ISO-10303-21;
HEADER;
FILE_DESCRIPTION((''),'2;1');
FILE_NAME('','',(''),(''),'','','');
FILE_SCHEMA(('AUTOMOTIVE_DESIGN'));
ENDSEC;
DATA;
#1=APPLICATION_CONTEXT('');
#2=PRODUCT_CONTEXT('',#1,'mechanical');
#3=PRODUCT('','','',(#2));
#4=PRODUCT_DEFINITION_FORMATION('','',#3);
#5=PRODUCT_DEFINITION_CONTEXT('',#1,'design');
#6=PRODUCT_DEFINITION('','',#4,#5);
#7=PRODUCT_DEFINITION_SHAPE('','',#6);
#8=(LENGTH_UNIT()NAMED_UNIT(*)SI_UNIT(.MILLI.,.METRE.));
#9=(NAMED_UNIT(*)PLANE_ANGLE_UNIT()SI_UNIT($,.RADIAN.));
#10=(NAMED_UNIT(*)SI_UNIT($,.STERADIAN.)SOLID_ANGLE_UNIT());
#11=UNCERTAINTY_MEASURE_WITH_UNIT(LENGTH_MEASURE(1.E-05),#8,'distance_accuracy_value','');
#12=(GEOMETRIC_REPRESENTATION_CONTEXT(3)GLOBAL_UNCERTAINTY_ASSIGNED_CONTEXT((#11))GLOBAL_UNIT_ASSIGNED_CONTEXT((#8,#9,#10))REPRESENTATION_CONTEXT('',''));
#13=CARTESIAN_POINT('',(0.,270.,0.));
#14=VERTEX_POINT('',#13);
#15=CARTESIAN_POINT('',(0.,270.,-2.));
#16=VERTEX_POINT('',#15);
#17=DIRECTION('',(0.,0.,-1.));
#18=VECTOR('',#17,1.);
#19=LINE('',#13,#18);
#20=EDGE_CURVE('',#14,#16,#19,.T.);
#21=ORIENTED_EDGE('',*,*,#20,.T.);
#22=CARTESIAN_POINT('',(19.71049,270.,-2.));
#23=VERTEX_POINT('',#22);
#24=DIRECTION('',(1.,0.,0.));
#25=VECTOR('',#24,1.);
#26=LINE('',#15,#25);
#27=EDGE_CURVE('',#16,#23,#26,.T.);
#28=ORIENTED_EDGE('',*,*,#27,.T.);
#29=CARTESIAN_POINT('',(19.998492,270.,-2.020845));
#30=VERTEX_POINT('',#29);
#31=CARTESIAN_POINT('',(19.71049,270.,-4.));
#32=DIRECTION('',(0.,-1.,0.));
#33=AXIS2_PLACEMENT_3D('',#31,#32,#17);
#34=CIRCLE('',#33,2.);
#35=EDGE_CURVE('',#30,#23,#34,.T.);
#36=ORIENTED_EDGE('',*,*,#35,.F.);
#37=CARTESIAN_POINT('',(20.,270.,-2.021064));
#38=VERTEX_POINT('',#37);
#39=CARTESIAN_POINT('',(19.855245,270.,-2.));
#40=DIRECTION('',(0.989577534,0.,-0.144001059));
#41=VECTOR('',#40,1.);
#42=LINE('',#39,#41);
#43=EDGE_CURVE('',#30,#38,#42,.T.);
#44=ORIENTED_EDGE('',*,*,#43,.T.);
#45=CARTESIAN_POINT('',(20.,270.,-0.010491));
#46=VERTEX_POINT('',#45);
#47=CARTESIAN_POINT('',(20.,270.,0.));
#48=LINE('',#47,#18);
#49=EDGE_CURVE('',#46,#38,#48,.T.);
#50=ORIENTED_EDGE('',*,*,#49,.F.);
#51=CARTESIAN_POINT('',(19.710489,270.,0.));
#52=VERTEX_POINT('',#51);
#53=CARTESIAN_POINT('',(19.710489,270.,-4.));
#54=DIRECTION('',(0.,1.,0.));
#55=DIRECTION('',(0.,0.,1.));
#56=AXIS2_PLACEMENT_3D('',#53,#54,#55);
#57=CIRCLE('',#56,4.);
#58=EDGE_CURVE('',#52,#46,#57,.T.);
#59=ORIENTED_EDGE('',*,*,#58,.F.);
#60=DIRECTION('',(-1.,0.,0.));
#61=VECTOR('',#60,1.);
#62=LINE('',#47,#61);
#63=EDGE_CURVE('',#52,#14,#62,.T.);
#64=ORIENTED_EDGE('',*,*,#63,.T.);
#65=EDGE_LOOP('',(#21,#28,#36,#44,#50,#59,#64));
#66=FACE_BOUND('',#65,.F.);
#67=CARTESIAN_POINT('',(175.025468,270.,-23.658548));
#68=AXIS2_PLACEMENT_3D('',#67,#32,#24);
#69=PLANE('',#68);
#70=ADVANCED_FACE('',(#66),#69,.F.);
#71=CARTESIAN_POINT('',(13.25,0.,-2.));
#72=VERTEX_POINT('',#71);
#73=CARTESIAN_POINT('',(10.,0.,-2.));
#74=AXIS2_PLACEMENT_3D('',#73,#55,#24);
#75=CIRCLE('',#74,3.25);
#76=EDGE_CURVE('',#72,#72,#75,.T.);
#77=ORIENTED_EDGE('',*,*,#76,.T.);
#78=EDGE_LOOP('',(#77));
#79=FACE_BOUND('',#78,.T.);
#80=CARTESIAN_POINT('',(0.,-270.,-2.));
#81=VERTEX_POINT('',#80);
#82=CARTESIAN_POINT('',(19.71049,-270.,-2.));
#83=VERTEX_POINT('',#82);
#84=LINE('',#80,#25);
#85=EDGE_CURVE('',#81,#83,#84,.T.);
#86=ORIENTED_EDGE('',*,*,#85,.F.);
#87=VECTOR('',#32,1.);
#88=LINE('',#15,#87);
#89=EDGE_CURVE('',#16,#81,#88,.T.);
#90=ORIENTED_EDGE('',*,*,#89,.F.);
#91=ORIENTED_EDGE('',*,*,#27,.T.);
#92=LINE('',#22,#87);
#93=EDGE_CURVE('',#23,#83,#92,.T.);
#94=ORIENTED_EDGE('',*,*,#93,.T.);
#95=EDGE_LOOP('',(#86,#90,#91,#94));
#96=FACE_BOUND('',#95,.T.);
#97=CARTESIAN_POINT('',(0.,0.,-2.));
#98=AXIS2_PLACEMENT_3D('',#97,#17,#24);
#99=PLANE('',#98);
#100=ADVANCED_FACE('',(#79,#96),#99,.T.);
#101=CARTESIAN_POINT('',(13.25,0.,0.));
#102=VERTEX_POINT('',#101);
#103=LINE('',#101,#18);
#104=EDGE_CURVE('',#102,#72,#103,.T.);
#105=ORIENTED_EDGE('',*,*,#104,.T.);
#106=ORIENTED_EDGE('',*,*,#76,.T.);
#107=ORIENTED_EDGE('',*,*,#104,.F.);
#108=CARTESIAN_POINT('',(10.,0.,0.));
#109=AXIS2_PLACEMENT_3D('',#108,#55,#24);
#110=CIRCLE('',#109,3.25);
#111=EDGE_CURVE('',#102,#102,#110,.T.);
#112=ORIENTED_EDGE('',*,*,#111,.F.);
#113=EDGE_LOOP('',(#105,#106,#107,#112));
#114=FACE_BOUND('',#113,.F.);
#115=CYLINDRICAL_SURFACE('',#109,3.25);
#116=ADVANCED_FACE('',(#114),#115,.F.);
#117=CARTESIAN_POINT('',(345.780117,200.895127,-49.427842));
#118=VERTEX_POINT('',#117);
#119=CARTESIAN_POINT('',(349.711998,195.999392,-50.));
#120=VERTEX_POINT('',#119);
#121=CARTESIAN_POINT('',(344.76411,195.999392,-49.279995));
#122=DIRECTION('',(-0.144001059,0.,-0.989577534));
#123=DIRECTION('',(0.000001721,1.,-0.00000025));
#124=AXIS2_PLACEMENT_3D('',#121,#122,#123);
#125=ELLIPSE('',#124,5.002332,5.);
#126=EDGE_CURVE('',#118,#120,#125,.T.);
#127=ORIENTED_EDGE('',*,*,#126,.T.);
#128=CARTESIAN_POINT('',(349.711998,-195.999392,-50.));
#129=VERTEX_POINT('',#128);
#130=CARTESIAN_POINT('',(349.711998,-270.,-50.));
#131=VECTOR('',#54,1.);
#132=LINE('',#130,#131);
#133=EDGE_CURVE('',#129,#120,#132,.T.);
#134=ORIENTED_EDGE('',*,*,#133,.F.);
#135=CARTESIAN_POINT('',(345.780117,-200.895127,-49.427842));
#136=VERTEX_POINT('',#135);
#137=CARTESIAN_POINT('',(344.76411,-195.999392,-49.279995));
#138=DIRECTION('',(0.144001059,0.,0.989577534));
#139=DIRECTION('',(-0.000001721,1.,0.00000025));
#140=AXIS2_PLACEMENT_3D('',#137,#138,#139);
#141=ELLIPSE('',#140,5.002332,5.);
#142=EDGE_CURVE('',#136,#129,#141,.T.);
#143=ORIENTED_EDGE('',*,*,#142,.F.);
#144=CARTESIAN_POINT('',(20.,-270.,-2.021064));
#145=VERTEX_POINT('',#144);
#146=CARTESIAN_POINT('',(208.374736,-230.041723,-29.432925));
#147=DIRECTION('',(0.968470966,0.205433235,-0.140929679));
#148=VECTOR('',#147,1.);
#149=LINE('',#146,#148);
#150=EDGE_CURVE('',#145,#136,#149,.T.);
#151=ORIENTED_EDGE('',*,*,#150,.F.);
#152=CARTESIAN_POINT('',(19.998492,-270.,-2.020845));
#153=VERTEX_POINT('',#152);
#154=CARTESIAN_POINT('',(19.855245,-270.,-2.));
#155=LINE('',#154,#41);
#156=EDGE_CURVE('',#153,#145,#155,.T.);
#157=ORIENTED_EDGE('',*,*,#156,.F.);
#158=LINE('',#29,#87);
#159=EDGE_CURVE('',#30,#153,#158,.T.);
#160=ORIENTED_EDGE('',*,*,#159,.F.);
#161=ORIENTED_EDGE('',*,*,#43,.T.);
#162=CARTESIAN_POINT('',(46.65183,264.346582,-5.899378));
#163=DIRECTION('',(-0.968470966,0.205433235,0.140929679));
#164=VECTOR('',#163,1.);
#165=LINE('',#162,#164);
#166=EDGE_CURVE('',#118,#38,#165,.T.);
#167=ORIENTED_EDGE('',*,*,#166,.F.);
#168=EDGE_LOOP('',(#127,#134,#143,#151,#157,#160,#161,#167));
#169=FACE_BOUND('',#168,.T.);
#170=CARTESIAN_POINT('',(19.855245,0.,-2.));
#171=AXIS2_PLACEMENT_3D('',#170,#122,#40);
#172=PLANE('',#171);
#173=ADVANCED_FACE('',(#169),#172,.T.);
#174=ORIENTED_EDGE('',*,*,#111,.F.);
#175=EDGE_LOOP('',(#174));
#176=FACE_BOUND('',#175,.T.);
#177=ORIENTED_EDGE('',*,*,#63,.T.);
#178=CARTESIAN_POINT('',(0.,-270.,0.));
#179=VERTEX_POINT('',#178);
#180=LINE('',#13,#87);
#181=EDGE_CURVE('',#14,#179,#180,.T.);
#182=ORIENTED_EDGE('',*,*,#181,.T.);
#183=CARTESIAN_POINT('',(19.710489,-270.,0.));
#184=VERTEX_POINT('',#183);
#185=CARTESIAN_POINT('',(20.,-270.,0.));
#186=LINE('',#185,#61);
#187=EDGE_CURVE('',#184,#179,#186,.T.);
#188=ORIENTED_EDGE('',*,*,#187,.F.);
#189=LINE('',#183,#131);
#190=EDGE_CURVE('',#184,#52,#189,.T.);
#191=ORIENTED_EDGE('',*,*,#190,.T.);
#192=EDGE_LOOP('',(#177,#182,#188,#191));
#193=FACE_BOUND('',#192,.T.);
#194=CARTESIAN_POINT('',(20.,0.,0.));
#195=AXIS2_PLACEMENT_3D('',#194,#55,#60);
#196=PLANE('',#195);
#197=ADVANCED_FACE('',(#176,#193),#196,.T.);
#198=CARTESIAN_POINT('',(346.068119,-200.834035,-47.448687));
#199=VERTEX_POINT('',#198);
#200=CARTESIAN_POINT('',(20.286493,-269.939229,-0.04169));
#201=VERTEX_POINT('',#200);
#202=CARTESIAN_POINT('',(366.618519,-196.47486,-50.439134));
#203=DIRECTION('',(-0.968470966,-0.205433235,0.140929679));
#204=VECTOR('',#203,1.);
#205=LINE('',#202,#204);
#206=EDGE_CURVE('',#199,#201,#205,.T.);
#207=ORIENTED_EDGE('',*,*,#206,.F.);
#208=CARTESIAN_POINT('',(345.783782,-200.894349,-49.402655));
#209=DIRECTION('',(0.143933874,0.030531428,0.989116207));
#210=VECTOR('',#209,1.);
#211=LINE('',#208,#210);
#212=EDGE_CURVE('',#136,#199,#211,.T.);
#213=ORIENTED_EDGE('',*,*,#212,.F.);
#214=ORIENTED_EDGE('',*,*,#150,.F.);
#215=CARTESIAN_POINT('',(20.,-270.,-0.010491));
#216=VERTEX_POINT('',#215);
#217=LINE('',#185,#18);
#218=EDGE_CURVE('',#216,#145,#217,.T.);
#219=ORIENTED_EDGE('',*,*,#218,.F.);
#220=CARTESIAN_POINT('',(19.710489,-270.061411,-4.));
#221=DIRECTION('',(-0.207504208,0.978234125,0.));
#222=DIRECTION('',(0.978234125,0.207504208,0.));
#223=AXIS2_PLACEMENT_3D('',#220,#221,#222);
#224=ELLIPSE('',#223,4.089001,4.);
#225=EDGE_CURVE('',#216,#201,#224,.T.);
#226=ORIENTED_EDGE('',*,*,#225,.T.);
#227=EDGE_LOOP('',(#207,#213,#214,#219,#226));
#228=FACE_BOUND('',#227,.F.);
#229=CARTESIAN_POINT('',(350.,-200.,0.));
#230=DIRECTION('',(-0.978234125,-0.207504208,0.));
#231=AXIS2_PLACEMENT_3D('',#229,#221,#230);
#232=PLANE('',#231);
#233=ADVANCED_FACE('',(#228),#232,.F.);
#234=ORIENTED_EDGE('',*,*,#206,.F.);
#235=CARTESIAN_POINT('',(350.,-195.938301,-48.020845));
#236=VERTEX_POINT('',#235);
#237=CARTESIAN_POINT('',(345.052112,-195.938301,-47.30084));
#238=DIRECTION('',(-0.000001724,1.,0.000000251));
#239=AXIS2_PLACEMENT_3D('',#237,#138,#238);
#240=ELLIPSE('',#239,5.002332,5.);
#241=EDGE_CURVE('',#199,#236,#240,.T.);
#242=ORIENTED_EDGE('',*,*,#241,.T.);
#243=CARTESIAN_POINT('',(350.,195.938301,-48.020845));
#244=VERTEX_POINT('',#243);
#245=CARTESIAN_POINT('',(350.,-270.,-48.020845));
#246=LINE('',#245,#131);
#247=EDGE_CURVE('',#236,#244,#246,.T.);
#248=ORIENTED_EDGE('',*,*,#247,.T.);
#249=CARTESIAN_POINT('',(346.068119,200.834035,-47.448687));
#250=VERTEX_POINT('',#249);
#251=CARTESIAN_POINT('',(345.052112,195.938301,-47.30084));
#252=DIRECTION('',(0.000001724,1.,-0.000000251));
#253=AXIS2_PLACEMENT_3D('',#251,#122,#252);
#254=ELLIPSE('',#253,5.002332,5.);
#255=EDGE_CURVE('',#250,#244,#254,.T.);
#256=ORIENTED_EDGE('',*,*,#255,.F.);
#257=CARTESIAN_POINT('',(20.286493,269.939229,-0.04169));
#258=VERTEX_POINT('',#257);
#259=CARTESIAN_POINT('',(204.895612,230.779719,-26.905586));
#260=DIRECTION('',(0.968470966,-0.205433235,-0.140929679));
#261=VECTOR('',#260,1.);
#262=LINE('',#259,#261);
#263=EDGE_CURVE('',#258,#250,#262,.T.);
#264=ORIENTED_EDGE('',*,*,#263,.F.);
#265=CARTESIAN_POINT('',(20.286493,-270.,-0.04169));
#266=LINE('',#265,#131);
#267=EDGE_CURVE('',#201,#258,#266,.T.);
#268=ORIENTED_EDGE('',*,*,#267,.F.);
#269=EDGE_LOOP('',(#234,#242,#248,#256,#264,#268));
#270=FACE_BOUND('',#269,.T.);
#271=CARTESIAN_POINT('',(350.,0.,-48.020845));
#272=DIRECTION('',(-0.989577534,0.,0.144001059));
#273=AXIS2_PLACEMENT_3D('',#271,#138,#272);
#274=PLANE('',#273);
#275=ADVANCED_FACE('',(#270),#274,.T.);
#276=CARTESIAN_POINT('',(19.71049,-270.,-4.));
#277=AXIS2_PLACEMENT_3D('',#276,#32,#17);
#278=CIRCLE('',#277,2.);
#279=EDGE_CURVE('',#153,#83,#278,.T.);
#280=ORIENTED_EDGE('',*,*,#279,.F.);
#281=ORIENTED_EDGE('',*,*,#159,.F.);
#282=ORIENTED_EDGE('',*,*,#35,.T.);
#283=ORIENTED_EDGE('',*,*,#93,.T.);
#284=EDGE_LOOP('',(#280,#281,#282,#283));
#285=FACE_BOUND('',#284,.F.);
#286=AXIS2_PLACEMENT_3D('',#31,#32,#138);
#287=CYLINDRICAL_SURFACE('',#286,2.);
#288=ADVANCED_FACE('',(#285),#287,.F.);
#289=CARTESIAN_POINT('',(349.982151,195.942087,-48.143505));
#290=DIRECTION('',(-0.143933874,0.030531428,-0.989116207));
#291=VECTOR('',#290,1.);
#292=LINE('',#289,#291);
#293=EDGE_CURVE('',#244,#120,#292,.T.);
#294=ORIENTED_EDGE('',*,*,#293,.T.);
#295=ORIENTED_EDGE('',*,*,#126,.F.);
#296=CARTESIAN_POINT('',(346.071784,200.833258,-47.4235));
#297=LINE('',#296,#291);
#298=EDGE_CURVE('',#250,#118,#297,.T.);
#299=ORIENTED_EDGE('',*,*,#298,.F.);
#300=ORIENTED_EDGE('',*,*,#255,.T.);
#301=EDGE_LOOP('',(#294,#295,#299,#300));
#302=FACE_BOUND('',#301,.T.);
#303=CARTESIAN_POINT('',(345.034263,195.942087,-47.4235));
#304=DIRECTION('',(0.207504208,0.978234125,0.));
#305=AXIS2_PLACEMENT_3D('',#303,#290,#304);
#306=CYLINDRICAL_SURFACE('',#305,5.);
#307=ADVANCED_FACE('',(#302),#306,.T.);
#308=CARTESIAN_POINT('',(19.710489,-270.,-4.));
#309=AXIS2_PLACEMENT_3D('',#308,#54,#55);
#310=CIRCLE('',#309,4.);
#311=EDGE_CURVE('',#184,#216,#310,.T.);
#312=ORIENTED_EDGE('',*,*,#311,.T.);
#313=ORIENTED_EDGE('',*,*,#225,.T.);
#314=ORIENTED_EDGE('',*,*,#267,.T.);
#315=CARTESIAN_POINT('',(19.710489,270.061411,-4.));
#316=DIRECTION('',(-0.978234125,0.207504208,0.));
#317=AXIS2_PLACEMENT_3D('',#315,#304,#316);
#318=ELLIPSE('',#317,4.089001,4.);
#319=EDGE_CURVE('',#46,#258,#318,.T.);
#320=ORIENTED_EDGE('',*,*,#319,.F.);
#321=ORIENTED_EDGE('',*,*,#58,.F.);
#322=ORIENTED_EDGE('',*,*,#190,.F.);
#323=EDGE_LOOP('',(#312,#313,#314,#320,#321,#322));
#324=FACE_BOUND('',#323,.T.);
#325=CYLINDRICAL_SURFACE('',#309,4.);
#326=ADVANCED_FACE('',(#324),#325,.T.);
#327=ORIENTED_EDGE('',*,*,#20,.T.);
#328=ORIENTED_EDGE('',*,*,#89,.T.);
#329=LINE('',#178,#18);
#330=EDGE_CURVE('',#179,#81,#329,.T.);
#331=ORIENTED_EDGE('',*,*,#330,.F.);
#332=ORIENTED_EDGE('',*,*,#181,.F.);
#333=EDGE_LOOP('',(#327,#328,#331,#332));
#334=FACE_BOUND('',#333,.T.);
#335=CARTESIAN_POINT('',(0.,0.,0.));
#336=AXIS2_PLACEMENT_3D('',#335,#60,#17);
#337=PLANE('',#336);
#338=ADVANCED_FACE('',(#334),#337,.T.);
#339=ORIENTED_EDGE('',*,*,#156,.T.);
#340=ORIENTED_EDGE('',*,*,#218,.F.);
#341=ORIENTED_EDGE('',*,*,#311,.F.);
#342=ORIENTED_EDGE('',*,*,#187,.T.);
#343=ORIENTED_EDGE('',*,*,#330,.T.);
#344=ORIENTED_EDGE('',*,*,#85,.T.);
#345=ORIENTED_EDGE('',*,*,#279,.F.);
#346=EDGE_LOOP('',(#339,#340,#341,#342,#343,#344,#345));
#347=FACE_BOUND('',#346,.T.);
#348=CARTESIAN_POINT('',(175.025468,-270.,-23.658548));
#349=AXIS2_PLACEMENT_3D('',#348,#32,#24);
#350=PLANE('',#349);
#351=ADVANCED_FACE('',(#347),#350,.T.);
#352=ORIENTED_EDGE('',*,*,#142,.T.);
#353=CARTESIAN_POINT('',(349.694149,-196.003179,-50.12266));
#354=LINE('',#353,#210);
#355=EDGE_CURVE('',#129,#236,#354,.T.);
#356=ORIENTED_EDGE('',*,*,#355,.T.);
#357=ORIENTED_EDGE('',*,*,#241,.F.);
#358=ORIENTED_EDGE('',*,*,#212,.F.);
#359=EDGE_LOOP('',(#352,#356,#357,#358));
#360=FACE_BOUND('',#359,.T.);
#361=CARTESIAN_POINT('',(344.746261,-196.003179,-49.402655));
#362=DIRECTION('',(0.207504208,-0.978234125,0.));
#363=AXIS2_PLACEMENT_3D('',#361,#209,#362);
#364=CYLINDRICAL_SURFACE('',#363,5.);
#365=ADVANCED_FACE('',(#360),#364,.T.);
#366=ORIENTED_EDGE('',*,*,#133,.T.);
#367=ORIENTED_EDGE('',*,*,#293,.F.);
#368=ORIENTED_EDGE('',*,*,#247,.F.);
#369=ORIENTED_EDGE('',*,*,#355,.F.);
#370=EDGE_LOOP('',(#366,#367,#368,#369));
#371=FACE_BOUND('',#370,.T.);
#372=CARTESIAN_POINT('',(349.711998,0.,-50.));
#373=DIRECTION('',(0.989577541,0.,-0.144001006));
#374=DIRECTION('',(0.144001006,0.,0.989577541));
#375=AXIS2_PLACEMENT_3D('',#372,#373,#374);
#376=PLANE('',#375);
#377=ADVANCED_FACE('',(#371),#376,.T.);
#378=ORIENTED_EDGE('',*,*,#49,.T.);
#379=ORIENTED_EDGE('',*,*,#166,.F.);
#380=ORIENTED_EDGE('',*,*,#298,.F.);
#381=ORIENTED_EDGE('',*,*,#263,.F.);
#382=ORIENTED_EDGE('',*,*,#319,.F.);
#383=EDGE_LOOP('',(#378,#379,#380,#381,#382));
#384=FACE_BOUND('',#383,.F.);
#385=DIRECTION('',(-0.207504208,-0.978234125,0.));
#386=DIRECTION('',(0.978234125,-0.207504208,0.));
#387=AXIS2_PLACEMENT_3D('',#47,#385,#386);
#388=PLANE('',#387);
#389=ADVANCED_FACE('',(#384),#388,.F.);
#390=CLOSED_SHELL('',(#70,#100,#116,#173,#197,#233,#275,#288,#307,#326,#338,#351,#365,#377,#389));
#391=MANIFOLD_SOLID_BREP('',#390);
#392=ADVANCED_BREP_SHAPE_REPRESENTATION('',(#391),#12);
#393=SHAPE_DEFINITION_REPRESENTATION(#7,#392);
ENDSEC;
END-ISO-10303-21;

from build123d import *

# Parameters (mm, degrees)
F1_DEPTH = 270
F3_DEPTH = 55
F4_R     = 4
F5_R     = 2
F6_R     = 5
F7_R     = 3.25
F8_DEPTH = 25


with BuildPart() as f1:
    # F0 (on Front) → F1 (new body, symmetric)
    with BuildSketch(Plane.XZ):
        Polygon((20, 0), (0, 0), (0, -2), (19.855245, -2), (349.711998, -50), (350, -48.020845), align=None)
    extrude(amount=F1_DEPTH, both=True)

    # F2 (on face) → F3 (cut)
    with BuildSketch(Plane.XY):
        Polygon((350, -200), (20, -270), (20, -308.046314), (437.196553, -308.046314), (437.196553, -200), align=None)
        Polygon((20, 308.046314), (20, 270), (350, 200), (437.196553, 200), (437.196553, 308.046314), align=None)
    extrude(amount=-F3_DEPTH, mode=Mode.SUBTRACT)

    # F4
    f4_edges = [f1.edges().sort_by_distance(p)[0] for p in [
        (20, 0, 0),
    ]]
    fillet(f4_edges, radius=F4_R)

    # F5
    f5_edges = [f1.edges().sort_by_distance(p)[0] for p in [
        (19.855245, 0, -2),
    ]]
    fillet(f5_edges, radius=F5_R)

    # F6
    f6_edges = [f1.edges().sort_by_distance(p)[0] for p in [
        (349.855999, -200.030546, -49.010422),
        (349.855999, 200.030546, -49.010422),
    ]]
    fillet(f6_edges, radius=F6_R)

    # F7 (on face) → F8 (cut)
    with BuildSketch(Plane.XY):
        with Locations((10, 0)):
            Circle(F7_R)
    extrude(amount=-F8_DEPTH, mode=Mode.SUBTRACT)


solid = f1.part
